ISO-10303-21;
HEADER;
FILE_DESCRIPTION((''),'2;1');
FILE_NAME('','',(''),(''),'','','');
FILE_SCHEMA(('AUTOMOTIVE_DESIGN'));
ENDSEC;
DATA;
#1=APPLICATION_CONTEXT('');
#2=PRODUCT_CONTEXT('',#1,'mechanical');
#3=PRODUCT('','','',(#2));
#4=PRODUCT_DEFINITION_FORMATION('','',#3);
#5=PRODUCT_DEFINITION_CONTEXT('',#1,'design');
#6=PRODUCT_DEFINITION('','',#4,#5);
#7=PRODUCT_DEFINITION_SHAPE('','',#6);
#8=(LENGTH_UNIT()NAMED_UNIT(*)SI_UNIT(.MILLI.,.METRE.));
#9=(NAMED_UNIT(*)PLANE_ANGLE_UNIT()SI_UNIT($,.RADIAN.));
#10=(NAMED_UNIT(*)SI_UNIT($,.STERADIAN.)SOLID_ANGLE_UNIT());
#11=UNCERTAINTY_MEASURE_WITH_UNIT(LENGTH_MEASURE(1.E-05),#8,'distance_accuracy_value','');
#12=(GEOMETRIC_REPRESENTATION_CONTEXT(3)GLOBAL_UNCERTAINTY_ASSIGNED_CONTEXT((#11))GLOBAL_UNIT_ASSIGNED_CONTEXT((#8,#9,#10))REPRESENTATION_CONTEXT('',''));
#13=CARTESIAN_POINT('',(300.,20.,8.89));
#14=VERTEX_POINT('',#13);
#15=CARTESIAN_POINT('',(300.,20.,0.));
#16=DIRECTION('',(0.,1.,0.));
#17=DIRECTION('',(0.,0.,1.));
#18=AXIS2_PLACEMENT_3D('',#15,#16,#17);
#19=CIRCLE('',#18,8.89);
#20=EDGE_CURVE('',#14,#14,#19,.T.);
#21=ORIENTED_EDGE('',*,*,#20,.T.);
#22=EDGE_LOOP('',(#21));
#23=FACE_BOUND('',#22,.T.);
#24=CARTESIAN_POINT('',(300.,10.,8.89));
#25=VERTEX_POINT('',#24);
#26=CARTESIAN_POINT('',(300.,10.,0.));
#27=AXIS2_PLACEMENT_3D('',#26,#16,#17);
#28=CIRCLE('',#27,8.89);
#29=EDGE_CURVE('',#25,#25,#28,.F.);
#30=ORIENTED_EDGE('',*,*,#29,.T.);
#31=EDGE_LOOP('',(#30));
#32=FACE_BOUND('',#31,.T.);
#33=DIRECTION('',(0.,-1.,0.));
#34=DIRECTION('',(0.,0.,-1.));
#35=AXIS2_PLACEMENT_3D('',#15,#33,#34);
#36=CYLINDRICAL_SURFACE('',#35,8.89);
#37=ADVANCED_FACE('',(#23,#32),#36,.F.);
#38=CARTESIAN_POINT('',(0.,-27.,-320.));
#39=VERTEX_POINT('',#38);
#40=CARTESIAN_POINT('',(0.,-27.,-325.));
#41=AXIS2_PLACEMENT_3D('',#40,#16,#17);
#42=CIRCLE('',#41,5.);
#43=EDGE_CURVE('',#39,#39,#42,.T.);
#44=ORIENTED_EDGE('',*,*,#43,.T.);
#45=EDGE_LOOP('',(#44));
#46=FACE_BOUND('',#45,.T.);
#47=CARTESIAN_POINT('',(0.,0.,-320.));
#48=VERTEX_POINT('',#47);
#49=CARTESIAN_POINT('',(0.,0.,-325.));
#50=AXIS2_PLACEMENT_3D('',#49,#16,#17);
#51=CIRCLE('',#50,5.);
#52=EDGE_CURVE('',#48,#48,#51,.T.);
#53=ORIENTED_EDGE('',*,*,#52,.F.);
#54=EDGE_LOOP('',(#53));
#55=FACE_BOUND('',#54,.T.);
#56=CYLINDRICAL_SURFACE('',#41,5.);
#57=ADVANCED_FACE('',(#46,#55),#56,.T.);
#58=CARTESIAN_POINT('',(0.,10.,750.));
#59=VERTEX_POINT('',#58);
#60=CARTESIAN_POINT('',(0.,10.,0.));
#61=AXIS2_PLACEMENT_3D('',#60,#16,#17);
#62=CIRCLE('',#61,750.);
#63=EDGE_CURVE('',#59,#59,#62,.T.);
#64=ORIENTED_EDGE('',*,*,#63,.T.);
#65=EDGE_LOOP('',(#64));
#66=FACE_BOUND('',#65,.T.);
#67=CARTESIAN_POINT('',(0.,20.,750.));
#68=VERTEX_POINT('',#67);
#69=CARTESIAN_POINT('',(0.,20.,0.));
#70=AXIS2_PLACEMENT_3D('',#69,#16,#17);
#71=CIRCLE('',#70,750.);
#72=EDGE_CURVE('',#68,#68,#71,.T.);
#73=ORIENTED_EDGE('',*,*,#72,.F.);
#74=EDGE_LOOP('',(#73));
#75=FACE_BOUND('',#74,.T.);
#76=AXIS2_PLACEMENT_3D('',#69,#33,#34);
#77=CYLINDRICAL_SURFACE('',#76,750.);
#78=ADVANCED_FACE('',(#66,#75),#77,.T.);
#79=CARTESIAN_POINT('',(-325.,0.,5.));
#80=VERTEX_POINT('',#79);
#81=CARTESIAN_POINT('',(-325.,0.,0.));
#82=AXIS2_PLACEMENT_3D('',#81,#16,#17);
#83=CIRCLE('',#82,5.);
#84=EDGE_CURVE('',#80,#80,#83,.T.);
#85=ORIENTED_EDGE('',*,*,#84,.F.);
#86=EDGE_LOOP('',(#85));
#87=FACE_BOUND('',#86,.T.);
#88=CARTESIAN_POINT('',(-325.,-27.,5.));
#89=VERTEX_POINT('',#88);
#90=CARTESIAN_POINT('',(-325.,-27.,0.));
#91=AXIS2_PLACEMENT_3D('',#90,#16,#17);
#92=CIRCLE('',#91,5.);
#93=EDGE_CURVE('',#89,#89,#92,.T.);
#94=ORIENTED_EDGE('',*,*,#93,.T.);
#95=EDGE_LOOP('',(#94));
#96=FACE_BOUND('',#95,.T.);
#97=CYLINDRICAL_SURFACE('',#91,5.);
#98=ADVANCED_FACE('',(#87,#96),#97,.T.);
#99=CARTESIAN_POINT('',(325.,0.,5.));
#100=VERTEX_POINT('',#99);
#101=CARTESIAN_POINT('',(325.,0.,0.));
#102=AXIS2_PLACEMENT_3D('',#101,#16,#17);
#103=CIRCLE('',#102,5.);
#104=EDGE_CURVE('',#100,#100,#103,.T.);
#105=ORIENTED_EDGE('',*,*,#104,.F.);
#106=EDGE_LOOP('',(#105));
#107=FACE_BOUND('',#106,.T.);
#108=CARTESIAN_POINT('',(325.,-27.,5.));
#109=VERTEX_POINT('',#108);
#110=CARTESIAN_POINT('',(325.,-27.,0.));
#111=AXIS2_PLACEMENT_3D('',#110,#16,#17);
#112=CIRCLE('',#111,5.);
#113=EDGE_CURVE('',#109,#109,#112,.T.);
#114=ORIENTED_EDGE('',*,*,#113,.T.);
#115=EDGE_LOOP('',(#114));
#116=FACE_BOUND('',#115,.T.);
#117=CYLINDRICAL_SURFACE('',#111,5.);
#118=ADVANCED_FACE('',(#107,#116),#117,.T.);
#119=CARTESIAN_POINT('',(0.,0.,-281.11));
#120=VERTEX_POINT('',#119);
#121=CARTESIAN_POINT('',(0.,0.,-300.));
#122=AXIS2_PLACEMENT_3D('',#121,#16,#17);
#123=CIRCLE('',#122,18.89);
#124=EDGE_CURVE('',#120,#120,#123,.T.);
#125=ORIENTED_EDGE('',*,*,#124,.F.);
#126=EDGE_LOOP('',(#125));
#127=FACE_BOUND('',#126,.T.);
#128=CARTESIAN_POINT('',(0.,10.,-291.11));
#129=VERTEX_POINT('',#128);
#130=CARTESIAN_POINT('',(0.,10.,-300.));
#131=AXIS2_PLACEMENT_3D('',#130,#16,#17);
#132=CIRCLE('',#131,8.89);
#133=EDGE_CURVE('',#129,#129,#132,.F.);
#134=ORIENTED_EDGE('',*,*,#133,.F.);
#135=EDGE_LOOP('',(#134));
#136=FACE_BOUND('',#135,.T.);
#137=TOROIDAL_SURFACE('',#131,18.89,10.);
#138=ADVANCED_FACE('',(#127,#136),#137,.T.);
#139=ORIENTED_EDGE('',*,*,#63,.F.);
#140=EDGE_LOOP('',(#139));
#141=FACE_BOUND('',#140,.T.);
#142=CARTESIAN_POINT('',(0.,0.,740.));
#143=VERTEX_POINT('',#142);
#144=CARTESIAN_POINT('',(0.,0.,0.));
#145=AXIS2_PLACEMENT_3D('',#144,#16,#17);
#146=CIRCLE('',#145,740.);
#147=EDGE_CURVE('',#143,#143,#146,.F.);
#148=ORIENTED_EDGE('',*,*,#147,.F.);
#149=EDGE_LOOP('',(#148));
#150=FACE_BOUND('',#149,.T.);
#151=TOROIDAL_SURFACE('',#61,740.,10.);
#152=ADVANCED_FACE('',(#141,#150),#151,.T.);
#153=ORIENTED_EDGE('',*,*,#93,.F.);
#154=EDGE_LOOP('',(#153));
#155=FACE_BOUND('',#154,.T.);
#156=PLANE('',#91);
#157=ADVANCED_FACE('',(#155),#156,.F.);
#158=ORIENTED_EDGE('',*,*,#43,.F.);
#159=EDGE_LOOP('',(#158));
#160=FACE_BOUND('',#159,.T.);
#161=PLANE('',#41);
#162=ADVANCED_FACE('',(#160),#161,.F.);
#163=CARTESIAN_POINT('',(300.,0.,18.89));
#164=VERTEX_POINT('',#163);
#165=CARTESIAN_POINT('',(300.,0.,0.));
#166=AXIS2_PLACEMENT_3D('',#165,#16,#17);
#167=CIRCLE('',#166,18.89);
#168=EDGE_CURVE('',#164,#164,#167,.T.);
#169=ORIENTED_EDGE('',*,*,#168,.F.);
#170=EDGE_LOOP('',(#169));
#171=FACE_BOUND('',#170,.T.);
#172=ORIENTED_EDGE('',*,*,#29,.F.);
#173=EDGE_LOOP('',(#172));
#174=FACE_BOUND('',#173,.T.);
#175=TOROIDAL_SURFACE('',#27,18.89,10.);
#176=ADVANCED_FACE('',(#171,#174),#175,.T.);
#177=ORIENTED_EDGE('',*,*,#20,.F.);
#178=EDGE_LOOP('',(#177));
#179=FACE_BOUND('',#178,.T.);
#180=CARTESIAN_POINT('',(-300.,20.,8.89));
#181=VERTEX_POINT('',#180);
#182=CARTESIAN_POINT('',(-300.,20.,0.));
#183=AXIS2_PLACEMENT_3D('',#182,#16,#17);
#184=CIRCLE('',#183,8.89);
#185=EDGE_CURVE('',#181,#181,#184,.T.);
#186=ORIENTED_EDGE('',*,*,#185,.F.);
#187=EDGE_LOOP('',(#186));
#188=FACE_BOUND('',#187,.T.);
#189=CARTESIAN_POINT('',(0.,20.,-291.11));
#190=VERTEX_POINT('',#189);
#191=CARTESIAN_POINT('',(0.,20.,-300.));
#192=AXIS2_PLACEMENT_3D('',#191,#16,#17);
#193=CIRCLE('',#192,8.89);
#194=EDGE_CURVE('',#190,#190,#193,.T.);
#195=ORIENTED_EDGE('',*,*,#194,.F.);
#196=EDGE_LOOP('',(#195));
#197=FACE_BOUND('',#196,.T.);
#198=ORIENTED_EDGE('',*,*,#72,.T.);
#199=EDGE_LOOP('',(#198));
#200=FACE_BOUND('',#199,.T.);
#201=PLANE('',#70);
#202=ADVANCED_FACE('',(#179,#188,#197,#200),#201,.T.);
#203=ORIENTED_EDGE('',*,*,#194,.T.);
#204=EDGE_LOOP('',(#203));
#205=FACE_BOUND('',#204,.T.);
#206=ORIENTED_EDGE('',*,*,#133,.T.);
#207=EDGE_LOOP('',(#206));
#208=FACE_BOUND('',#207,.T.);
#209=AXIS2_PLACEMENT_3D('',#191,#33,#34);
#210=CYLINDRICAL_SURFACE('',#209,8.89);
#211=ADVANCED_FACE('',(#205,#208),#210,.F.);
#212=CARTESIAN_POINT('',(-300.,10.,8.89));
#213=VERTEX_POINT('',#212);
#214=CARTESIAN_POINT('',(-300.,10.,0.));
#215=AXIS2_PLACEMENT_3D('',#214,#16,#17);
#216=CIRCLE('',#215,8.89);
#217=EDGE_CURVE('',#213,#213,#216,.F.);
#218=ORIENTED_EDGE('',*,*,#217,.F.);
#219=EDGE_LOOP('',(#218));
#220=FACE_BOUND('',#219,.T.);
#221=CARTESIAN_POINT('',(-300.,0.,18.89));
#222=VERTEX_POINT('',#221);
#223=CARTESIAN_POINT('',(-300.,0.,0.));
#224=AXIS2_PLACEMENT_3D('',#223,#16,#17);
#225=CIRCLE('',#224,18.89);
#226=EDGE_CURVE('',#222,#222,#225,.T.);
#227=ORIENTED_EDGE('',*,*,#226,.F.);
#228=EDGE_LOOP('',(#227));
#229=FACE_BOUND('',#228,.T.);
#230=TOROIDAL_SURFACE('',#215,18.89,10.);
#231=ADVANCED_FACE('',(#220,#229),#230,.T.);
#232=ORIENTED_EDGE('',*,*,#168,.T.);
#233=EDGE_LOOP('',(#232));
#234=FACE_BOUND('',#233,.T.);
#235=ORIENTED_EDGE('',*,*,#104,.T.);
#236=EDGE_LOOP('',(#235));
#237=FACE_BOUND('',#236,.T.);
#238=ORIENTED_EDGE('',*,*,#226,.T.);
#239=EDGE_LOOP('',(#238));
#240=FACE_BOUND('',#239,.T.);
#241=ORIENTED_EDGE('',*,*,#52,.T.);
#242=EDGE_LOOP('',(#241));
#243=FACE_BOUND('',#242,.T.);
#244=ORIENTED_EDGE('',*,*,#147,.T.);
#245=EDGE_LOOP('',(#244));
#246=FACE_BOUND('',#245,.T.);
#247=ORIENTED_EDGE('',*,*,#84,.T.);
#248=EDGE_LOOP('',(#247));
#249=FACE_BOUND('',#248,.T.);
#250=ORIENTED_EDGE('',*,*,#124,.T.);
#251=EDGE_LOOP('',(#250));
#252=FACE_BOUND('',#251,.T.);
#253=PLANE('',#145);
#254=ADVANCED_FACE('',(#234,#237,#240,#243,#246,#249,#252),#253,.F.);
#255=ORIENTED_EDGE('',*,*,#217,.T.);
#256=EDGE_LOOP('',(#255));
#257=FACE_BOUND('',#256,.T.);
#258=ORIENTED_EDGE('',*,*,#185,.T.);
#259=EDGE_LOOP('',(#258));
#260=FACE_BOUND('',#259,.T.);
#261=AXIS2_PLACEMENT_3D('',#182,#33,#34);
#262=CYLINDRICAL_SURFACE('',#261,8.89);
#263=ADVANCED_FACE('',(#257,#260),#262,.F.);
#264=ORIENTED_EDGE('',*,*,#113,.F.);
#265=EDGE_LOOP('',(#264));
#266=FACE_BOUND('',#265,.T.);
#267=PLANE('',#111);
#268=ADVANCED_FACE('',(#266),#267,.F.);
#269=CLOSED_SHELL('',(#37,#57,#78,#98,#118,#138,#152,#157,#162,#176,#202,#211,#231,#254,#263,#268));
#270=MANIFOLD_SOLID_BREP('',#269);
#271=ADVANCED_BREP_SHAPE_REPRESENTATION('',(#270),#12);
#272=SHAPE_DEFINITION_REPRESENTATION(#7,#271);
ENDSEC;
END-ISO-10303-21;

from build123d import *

# Parameters (mm, degrees)
SKETCH1_R           = 750
SKETCH1_R_2         = 8.89
BOSS_EXTRUDE1_DEPTH = 20
FILLET1_R           = 10
SKETCH3_R           = 5
BOSS_EXTRUDE2_DEPTH = 47


with BuildPart() as part:
    # Sketch1 → Boss-Extrude1 (new body)
    with BuildSketch(Plane(origin=(0, 0, 0), x_dir=(1, 0, 0), z_dir=(0, 1, 0))):
        with Locations(Location((0, 0, 0), (0, 0, 270))):
            Circle(SKETCH1_R)
        with Locations(Location((0, 300, 0), (0, 0, 270))):
            Circle(SKETCH1_R_2, mode=Mode.SUBTRACT)
        with Locations(Location((-300, 0, 0), (0, 0, 270))):
            Circle(SKETCH1_R_2, mode=Mode.SUBTRACT)
        with Locations(Location((300, 0, 0), (0, 0, 270))):
            Circle(SKETCH1_R_2, mode=Mode.SUBTRACT)
    extrude(amount=BOSS_EXTRUDE1_DEPTH)

    # Fillet1
    fillet1_edges = [part.edges().sort_by_distance(p)[0] for p in [
        (0, 0, -750),
        (-300, 0, -8.89),
        (300, 0, -8.89),
        (0, 0, -308.89),
    ]]
    fillet(fillet1_edges, radius=FILLET1_R)

    # Sketch3 → Boss-Extrude2 (add)
    with BuildSketch(Plane(origin=(0, 20, 0), x_dir=(1, 0, 0), z_dir=(0, 1, 0))):
        with Locations(Location((-325, 0, 0), (0, 0, 270))):
            Circle(SKETCH3_R)
        with Locations(Location((325, 0, 0), (0, 0, 270))):
            Circle(SKETCH3_R)
        with Locations(Location((0, 325, 0), (0, 0, 270))):
            Circle(SKETCH3_R)
    extrude(amount=-BOSS_EXTRUDE2_DEPTH)


solid = part.part
